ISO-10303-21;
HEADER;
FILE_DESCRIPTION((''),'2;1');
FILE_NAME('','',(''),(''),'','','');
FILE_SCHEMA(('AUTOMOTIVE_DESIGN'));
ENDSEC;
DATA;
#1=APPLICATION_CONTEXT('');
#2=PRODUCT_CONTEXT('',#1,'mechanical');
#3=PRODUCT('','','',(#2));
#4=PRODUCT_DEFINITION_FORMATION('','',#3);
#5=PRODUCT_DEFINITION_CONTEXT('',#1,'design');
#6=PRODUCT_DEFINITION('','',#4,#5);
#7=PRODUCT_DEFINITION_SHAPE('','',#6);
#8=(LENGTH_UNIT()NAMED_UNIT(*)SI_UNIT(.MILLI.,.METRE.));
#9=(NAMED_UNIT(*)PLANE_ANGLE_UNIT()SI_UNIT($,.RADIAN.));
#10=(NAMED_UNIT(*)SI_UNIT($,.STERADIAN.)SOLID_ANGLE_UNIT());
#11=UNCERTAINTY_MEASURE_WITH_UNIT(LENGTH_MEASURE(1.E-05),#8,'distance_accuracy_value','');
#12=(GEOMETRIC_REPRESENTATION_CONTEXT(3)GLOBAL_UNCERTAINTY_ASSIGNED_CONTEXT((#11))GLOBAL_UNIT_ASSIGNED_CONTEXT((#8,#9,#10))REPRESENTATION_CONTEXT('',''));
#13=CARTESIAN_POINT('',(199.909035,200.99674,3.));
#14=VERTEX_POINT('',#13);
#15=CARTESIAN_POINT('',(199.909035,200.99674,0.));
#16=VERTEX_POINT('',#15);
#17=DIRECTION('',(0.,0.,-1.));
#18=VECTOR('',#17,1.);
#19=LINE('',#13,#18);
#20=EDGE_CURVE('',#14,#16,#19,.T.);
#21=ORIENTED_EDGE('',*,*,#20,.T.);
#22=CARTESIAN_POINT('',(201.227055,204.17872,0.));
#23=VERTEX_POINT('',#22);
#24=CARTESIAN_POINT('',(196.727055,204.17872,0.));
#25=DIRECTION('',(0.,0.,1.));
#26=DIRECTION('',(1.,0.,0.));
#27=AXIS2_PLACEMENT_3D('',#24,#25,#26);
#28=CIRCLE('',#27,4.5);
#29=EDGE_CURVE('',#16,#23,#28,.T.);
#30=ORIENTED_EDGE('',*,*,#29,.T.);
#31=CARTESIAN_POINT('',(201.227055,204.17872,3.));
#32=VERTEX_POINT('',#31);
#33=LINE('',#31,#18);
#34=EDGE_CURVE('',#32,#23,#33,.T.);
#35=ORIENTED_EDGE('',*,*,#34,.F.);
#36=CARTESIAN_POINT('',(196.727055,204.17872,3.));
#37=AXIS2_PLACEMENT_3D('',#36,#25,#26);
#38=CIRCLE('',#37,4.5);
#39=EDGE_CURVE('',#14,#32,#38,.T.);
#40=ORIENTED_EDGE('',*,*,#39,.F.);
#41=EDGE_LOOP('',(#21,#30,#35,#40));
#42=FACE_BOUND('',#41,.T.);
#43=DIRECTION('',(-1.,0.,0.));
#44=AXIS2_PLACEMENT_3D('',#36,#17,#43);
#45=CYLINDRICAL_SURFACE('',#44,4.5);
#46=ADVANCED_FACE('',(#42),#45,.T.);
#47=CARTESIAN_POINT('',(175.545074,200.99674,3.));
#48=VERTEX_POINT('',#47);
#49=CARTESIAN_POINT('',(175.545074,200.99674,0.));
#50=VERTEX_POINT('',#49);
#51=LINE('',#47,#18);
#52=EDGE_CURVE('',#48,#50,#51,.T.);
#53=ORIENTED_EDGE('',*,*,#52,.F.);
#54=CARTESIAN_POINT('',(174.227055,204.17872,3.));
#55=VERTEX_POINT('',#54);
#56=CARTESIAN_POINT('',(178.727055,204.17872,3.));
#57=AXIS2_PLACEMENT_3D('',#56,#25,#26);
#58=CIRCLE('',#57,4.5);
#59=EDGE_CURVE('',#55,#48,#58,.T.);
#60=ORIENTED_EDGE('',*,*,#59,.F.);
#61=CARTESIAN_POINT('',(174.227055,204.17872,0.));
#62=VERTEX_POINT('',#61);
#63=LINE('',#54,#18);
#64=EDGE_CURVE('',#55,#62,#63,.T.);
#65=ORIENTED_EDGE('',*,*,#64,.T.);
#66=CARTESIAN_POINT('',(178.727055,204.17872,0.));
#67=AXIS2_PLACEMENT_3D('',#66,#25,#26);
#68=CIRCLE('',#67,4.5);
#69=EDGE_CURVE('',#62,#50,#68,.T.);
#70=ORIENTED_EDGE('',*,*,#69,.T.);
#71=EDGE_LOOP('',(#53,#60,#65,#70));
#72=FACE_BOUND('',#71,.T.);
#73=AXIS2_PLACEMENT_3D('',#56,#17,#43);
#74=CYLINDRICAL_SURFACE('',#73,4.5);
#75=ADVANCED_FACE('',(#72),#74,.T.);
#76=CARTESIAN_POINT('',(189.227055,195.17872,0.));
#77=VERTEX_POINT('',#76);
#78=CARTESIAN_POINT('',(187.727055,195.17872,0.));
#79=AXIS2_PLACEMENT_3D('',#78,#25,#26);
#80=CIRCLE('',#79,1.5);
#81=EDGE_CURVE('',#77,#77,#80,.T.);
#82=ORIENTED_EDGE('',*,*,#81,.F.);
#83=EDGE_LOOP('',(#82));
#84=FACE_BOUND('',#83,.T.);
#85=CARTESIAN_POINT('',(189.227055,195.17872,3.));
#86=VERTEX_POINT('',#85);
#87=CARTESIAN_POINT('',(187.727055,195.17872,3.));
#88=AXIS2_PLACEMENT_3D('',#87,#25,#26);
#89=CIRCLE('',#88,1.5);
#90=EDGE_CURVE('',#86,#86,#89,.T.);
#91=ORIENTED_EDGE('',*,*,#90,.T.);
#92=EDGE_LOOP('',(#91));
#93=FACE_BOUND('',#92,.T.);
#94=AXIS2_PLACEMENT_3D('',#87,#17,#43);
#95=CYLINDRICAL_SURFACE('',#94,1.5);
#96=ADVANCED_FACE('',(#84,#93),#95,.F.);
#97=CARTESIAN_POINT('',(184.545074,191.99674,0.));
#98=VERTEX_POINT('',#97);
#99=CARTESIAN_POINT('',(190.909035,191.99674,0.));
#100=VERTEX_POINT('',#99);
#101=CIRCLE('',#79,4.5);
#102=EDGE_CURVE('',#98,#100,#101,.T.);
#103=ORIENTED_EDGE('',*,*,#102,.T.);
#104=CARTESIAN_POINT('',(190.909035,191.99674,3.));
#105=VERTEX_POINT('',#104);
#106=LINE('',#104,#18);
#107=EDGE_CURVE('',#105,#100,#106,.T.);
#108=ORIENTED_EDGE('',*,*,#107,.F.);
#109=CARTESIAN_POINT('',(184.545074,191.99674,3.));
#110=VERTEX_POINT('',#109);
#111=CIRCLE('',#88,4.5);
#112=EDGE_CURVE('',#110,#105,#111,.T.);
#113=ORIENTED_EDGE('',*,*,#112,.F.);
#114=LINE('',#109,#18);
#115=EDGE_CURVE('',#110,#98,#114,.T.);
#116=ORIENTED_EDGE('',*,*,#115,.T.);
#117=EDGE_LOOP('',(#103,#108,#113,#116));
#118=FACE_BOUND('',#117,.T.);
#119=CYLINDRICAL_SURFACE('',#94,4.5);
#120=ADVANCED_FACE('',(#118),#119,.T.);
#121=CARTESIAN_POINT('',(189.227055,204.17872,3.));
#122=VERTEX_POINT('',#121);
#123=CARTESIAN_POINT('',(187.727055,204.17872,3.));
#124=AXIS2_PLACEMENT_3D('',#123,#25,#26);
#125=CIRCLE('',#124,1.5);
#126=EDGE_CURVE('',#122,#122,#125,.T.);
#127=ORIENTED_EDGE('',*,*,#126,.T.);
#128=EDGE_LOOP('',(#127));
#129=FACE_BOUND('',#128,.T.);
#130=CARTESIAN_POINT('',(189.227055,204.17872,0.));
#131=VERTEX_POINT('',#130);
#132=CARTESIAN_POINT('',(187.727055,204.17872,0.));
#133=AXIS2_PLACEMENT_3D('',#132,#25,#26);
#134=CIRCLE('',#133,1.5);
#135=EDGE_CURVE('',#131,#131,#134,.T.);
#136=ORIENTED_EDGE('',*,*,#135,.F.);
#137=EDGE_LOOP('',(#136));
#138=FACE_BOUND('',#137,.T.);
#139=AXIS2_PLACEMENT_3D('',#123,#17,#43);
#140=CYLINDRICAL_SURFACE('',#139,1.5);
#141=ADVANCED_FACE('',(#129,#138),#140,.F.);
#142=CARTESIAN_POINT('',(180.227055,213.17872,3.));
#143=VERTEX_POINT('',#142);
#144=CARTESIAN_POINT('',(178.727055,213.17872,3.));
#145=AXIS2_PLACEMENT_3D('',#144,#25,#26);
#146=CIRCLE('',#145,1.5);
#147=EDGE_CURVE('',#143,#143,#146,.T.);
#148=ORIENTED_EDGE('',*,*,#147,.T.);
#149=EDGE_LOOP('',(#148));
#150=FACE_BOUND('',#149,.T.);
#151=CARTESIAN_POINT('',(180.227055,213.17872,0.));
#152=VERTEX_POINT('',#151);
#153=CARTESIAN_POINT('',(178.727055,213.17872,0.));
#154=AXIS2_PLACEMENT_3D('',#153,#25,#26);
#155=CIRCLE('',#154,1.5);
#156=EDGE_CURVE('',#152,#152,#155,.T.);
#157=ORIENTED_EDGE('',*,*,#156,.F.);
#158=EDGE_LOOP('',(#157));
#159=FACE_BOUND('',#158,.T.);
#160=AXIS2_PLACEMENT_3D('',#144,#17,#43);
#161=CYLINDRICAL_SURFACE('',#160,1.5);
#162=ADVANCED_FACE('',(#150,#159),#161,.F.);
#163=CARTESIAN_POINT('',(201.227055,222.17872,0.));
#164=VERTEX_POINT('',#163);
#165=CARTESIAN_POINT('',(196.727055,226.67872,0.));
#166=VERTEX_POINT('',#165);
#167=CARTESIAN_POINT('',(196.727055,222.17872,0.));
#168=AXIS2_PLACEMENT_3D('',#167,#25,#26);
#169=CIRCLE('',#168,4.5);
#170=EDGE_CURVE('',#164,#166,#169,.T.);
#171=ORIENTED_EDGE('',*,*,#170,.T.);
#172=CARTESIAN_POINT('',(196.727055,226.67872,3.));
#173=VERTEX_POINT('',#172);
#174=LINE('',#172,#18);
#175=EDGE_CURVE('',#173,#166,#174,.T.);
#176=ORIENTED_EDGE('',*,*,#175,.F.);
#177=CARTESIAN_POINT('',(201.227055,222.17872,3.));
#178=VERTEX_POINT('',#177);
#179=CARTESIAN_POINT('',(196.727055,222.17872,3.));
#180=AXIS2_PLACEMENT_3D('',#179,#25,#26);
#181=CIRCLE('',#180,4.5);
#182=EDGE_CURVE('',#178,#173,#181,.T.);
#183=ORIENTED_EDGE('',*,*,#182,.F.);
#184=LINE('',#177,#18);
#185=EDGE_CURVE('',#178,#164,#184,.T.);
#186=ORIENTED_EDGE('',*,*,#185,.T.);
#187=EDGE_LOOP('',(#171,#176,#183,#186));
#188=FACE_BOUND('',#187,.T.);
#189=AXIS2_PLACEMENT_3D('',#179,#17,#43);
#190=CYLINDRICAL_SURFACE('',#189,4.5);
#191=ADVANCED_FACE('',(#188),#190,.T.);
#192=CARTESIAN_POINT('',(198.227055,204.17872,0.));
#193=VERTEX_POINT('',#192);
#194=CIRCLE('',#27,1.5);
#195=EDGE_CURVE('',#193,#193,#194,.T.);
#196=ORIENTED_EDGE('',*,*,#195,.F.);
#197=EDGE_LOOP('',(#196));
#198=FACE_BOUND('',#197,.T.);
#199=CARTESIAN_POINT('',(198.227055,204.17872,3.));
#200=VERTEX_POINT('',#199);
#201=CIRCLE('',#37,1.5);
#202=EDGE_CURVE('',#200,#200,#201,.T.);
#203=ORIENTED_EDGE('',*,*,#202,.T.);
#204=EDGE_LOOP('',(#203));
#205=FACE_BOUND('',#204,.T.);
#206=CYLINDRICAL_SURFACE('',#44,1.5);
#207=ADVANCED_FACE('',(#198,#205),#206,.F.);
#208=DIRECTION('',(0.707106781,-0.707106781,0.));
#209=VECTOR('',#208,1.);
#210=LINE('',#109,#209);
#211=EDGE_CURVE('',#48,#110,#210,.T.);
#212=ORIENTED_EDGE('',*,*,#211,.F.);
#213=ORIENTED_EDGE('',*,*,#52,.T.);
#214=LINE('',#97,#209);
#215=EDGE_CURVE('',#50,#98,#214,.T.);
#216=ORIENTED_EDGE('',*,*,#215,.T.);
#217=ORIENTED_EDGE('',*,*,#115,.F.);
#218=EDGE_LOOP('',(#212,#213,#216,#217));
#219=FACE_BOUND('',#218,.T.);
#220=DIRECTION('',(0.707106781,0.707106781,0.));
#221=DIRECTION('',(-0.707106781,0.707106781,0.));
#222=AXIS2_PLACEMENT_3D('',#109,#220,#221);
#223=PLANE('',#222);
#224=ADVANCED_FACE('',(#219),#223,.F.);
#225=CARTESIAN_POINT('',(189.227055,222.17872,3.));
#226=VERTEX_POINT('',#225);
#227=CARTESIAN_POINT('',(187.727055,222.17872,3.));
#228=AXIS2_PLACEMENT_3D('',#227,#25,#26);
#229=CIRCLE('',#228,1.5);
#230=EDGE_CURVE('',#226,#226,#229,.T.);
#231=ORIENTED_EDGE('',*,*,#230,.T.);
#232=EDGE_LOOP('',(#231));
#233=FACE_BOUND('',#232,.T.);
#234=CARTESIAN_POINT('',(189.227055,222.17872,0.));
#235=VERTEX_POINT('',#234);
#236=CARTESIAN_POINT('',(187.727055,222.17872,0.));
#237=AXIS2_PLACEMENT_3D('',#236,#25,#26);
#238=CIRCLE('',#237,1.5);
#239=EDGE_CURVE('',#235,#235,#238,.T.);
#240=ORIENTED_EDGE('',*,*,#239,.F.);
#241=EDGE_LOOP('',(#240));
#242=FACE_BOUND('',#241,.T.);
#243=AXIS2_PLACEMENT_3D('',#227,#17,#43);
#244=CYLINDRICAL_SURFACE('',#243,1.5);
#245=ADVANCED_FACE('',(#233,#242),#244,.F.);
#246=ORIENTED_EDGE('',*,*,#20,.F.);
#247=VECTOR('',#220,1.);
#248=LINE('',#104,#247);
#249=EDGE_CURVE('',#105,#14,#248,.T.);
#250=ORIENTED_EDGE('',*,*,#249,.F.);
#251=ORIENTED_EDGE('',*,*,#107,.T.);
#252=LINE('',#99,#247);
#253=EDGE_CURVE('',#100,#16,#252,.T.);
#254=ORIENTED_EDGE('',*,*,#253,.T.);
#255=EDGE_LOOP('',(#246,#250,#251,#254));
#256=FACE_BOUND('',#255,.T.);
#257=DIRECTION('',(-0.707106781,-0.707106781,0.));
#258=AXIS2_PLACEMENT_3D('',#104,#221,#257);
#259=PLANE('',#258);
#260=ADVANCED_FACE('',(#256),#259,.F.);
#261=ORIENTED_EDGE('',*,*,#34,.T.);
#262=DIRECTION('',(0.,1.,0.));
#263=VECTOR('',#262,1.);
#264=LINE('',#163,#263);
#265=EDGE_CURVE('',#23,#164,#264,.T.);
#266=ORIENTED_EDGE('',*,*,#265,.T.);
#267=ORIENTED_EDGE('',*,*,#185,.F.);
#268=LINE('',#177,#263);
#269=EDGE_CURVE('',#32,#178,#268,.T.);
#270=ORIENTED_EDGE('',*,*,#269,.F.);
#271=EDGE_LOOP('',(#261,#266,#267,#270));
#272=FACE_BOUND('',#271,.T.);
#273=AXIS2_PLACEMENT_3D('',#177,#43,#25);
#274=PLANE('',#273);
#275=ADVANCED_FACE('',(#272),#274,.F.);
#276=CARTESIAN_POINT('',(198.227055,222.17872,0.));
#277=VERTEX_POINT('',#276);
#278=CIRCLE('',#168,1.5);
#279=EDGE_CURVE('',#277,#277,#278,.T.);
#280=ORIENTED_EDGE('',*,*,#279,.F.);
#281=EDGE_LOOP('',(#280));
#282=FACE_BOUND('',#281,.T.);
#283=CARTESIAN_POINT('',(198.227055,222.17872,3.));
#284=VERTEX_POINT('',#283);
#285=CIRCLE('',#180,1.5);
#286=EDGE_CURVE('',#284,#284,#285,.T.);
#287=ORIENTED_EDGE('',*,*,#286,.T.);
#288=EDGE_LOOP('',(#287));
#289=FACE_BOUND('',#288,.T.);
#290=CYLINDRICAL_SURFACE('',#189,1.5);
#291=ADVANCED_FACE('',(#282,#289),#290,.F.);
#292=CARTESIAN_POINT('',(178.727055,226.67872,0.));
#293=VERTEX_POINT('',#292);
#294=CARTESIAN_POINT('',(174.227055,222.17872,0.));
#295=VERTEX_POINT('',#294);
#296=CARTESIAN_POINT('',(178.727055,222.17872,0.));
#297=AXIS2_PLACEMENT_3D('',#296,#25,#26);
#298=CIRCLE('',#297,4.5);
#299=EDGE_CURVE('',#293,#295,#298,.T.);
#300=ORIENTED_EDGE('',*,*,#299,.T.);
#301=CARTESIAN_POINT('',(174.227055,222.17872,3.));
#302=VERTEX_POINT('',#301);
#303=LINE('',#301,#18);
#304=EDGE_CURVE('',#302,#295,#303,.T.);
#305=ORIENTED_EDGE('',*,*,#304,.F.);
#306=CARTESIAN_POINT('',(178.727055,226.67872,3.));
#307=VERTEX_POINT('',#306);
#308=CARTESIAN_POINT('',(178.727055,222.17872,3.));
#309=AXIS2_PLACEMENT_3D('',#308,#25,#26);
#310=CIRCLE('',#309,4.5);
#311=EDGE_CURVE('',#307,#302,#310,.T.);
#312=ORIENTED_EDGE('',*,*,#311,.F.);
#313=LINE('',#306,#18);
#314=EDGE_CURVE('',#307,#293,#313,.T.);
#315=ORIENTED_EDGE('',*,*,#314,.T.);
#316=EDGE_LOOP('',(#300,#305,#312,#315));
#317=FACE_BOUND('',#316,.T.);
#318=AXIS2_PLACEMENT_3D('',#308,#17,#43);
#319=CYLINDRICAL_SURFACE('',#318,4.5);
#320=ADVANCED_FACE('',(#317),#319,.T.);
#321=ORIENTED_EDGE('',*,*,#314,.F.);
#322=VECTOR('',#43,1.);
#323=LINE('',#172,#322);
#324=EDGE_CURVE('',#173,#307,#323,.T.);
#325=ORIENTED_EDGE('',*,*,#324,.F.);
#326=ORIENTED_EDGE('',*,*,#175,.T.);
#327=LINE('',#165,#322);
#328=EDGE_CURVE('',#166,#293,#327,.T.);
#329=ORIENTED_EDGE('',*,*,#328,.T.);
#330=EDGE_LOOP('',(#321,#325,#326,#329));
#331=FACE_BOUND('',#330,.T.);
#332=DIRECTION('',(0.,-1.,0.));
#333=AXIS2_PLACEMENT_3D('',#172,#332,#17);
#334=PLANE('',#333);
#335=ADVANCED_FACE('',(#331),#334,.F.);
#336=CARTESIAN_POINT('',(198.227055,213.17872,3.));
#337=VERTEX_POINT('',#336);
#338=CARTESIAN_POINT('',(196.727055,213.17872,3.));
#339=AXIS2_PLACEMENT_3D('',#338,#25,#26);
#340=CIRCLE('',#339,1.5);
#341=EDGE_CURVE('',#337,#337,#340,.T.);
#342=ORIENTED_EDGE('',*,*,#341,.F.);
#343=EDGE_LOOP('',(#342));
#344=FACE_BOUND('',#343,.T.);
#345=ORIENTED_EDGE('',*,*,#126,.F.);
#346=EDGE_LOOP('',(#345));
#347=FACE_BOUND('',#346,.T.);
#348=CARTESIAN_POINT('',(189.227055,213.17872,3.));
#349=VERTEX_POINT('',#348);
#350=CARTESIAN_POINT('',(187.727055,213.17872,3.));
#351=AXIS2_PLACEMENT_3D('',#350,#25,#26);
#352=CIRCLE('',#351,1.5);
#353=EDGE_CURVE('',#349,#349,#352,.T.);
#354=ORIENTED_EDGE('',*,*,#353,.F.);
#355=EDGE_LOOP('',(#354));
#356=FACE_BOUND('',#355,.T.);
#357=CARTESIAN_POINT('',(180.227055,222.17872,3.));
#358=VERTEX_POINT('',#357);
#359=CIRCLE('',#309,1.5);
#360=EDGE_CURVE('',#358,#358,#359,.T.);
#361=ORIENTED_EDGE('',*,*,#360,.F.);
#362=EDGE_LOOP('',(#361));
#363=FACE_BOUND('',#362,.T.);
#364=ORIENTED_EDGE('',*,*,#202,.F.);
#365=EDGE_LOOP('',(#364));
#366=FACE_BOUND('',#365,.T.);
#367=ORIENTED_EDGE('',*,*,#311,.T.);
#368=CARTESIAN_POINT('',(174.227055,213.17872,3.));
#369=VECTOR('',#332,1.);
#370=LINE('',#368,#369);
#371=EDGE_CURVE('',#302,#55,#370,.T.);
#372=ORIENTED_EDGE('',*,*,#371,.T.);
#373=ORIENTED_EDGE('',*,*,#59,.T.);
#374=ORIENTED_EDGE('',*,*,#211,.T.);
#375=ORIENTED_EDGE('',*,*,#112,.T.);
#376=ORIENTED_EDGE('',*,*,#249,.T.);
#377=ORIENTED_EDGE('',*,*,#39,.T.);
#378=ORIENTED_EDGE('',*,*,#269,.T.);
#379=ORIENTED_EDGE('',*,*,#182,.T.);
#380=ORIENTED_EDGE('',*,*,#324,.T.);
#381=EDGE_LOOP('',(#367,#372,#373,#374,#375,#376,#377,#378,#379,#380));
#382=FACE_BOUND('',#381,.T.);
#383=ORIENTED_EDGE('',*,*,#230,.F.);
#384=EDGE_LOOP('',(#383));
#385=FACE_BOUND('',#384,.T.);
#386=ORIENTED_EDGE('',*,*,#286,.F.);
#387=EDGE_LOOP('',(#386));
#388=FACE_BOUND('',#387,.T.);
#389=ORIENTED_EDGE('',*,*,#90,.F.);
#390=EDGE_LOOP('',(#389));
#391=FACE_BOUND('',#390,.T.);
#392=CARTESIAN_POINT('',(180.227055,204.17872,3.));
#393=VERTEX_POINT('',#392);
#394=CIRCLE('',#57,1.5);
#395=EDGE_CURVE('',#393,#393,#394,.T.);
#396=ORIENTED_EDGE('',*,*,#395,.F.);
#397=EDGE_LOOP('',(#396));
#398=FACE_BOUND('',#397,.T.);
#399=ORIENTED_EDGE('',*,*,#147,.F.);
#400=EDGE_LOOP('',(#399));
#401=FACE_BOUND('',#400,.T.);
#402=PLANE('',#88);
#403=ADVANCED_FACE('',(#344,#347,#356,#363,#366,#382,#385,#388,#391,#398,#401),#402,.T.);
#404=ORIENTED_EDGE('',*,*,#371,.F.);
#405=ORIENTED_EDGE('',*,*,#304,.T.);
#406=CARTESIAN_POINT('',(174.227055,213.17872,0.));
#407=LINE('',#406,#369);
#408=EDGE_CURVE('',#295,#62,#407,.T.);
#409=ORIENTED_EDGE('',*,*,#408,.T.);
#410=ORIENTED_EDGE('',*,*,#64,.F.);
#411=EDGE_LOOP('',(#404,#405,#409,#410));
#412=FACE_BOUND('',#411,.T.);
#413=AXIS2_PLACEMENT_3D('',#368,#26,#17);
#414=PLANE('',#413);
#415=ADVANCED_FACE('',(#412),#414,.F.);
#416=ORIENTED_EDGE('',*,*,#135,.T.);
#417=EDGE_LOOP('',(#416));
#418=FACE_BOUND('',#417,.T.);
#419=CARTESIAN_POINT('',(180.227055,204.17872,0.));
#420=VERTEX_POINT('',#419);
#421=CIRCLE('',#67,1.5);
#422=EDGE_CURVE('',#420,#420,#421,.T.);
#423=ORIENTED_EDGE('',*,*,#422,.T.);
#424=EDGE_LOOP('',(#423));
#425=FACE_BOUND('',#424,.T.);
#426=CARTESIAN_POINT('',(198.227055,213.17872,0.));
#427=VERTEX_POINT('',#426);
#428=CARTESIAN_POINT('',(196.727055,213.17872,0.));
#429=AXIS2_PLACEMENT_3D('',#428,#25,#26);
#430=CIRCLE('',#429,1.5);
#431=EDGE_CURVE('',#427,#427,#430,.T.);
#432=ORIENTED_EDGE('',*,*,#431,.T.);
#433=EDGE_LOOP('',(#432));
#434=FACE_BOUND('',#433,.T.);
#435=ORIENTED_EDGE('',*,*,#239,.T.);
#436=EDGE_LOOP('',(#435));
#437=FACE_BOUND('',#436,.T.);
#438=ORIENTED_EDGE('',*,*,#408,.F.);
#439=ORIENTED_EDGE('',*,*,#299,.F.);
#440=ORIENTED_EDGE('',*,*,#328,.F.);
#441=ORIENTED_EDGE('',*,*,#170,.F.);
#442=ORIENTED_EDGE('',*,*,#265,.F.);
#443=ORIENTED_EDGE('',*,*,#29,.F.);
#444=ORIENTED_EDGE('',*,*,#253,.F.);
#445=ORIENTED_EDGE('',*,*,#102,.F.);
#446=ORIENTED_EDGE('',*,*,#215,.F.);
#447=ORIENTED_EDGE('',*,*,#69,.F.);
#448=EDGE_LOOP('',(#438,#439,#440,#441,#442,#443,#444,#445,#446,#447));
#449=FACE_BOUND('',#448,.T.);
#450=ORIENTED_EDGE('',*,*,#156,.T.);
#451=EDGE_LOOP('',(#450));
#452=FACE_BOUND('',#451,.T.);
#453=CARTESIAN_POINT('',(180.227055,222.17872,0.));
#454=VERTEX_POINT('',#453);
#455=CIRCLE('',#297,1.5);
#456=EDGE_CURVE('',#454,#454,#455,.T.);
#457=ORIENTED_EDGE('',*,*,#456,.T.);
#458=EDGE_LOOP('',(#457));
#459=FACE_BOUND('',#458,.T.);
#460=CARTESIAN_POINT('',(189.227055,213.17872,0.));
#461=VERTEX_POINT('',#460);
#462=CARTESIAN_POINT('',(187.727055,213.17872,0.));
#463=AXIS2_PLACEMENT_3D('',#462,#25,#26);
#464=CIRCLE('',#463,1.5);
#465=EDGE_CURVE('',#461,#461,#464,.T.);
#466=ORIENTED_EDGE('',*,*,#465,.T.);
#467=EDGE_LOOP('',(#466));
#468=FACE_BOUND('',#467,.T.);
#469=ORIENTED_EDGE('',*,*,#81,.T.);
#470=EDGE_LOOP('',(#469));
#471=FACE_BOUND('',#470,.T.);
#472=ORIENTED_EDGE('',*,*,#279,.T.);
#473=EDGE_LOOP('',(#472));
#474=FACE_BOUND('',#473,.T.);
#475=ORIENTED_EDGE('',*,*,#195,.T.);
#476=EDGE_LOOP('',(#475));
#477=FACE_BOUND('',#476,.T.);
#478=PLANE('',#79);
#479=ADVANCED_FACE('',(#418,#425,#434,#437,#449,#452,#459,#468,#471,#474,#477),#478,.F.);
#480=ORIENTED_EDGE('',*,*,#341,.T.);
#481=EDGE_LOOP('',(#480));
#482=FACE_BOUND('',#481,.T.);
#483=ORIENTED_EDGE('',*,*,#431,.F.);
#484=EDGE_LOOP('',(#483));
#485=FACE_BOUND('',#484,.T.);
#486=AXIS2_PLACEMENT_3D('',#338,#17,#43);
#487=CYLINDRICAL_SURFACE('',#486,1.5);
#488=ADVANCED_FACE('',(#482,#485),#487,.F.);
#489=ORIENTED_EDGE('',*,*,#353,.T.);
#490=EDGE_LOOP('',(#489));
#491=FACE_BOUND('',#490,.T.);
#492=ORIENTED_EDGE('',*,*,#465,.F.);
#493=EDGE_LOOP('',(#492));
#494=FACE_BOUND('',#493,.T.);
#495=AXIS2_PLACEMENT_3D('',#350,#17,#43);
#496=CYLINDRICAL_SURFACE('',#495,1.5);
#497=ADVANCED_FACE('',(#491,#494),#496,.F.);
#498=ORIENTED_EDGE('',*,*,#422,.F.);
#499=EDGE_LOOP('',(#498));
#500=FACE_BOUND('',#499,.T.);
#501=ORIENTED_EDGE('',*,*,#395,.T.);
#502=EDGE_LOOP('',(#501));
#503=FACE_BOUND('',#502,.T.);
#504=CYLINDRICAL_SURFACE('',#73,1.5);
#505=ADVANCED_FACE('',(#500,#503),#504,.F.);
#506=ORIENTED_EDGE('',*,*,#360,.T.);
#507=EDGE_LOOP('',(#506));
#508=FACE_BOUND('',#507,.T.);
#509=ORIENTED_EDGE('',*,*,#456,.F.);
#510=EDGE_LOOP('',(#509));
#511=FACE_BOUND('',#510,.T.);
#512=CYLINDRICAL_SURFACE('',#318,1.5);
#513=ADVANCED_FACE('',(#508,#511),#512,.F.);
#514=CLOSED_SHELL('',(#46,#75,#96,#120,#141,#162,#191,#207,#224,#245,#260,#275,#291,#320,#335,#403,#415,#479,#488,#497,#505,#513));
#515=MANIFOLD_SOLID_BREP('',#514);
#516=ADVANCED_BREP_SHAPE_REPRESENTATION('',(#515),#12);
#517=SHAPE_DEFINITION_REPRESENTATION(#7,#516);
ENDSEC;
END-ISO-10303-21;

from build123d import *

# Parameters (mm, degrees)
MODEL_R                 = 1.5
SALIENTE_EXTRUIR1_DEPTH = 3


with BuildPart() as part:
    # Model → Saliente-Extruir1 (new body)
    with BuildSketch(Plane.XY):
        with BuildLine():
            Line((174.227054575, 213.178720063), (174.227054575, 204.178720063))
            ThreePointArc((174.227054575, 204.178720063), (174.569596678, 202.456644617), (175.545074059, 200.996739548))
            Line((175.545074059, 200.996739548), (184.545074059, 191.996739548))
            ThreePointArc((184.545074059, 191.996739548), (187.727054575, 190.678720063), (190.90903509, 191.996739548))
            Line((190.90903509, 191.996739548), (199.90903509, 200.996739548))
            ThreePointArc((199.90903509, 200.996739548), (200.884512471, 202.456644617), (201.227054575, 204.178720063))
            Line((201.227054575, 204.178720063), (201.227054575, 222.178720063))
            ThreePointArc((201.227054575, 222.178720063), (199.90903509, 225.360700578), (196.727054575, 226.678720063))
            Line((196.727054575, 226.678720063), (178.727054575, 226.678720063))
            ThreePointArc((178.727054575, 226.678720063), (175.545074059, 225.360700578), (174.227054575, 222.178720063))
            Line((174.227054575, 222.178720063), (174.227054575, 213.178720063))
        make_face()
        with Locations((187.727054575, 204.178720063)):
            Circle(MODEL_R, mode=Mode.SUBTRACT)
        with Locations((178.727054575, 204.178720063)):
            Circle(MODEL_R, mode=Mode.SUBTRACT)
        with Locations((187.727054575, 213.178720063)):
            Circle(MODEL_R, mode=Mode.SUBTRACT)
        with Locations((178.727054575, 213.178720063)):
            Circle(MODEL_R, mode=Mode.SUBTRACT)
        with Locations((196.727054575, 213.178720063)):
            Circle(MODEL_R, mode=Mode.SUBTRACT)
        with Locations((187.727054575, 195.178720063)):
            Circle(MODEL_R, mode=Mode.SUBTRACT)
        with Locations((196.727054575, 204.178720063)):
            Circle(MODEL_R, mode=Mode.SUBTRACT)
        with Locations((187.727054575, 222.178720063)):
            Circle(MODEL_R, mode=Mode.SUBTRACT)
        with Locations((178.727054575, 222.178720063)):
            Circle(MODEL_R, mode=Mode.SUBTRACT)
        with Locations((196.727054575, 222.178720063)):
            Circle(MODEL_R, mode=Mode.SUBTRACT)
    extrude(amount=SALIENTE_EXTRUIR1_DEPTH)


solid = part.part
